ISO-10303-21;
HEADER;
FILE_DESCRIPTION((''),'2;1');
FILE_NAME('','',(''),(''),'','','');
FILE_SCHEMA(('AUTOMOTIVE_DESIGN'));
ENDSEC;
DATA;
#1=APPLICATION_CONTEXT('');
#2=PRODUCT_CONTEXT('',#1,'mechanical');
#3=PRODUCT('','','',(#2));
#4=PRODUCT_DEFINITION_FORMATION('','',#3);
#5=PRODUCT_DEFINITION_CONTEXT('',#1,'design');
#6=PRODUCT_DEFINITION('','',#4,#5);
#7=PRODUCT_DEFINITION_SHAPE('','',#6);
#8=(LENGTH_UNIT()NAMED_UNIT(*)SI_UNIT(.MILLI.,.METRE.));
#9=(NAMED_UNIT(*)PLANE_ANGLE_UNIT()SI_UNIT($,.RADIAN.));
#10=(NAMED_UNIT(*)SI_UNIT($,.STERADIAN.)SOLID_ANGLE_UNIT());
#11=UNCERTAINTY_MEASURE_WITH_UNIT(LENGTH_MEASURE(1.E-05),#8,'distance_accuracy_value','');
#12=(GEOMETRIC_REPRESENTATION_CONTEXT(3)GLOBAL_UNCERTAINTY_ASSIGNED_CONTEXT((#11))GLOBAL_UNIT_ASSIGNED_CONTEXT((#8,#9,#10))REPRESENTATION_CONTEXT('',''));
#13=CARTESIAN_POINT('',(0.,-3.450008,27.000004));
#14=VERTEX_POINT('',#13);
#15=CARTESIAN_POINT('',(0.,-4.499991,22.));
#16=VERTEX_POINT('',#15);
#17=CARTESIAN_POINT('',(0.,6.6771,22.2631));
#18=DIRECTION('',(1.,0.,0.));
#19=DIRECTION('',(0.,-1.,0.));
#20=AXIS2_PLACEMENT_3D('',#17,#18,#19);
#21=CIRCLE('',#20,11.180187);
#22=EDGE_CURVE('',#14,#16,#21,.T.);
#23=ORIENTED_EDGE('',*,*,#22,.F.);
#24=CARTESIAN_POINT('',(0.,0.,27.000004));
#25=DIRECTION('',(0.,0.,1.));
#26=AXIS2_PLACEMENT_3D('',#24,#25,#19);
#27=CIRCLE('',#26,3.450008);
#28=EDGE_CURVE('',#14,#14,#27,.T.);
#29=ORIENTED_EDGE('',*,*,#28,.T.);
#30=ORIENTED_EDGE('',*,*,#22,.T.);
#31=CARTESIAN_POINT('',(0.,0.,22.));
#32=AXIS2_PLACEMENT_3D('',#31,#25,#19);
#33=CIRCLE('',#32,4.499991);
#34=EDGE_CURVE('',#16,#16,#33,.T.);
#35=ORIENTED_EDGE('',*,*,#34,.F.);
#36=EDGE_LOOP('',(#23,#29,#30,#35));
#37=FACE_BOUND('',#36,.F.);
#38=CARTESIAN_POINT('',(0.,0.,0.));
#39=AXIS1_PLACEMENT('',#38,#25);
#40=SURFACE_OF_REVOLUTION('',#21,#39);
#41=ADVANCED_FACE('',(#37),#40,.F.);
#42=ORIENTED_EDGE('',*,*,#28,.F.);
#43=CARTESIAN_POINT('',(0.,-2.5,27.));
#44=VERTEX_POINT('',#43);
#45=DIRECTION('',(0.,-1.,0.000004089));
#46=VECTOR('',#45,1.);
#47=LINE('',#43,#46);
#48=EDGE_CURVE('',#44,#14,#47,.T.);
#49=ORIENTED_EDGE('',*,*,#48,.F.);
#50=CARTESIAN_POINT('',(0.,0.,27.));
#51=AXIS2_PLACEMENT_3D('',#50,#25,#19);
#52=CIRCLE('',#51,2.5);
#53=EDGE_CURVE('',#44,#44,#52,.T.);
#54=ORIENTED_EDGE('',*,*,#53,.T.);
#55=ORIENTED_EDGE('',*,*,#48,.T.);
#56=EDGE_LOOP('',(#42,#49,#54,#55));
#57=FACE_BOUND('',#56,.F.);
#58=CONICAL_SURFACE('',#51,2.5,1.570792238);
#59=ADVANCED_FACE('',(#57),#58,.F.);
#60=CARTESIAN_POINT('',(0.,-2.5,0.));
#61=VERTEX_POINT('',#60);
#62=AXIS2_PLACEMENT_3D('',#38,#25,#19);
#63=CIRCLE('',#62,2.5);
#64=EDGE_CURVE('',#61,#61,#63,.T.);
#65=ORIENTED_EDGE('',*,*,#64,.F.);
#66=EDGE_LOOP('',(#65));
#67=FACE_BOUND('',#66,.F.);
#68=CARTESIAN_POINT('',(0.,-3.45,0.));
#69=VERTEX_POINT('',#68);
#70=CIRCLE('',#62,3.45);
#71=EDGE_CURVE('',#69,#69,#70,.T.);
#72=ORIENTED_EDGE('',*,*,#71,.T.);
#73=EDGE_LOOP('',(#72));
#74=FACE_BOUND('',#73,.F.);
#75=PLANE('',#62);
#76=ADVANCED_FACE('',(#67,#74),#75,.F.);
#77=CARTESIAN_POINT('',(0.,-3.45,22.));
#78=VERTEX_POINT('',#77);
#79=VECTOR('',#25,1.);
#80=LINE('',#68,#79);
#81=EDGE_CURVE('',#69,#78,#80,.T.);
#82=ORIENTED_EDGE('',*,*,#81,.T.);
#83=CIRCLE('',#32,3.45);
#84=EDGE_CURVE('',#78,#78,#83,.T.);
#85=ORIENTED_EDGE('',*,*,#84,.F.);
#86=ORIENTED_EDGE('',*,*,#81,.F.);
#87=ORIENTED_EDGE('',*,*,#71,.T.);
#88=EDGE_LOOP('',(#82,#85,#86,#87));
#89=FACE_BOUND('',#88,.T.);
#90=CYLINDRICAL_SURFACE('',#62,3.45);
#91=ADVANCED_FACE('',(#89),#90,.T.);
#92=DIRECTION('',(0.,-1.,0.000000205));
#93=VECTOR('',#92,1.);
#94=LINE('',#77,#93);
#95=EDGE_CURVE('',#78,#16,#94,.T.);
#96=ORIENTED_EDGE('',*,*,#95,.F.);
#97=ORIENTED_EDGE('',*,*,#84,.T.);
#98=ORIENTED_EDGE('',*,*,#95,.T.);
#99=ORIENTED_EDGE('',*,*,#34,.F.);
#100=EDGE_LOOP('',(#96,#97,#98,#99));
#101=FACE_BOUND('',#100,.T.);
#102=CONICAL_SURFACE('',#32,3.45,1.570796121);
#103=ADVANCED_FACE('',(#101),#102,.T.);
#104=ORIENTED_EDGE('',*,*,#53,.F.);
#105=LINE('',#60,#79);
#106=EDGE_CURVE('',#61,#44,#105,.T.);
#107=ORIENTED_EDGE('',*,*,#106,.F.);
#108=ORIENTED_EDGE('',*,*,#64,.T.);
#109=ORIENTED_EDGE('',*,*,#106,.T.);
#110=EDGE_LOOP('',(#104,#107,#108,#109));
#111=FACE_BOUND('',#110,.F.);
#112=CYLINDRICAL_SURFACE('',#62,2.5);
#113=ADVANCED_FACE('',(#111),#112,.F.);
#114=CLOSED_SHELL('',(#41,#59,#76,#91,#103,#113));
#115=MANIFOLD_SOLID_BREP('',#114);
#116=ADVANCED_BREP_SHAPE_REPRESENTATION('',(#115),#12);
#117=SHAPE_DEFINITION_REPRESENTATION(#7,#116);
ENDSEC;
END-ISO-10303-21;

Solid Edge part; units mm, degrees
sketch "Sketch1" plane through (0, 0, 0) normal (-1, 0, 0) x (0, -1, 0)
  line L0 (2.5, 0) -> (2.5, 27)
  line L1 (2.5, 27) -> (3.45, 27)
  arc A0 (3.45, 27) -> (4.5, 22) centre (-6.6771, 22.2631) cw
  line L2 (3.45, 22) -> (4.5, 22)
  line L3 (3.45, 0) -> (3.45, 22)
  line L4 (3.45, 0) -> (2.5, 0)
revolve "RevolvedProtrusion1" add sketch "Sketch1" angle 360 about axis through (0, 0, 0) along (0, 0, 1)
properties material "Réz, sárgaréz"
